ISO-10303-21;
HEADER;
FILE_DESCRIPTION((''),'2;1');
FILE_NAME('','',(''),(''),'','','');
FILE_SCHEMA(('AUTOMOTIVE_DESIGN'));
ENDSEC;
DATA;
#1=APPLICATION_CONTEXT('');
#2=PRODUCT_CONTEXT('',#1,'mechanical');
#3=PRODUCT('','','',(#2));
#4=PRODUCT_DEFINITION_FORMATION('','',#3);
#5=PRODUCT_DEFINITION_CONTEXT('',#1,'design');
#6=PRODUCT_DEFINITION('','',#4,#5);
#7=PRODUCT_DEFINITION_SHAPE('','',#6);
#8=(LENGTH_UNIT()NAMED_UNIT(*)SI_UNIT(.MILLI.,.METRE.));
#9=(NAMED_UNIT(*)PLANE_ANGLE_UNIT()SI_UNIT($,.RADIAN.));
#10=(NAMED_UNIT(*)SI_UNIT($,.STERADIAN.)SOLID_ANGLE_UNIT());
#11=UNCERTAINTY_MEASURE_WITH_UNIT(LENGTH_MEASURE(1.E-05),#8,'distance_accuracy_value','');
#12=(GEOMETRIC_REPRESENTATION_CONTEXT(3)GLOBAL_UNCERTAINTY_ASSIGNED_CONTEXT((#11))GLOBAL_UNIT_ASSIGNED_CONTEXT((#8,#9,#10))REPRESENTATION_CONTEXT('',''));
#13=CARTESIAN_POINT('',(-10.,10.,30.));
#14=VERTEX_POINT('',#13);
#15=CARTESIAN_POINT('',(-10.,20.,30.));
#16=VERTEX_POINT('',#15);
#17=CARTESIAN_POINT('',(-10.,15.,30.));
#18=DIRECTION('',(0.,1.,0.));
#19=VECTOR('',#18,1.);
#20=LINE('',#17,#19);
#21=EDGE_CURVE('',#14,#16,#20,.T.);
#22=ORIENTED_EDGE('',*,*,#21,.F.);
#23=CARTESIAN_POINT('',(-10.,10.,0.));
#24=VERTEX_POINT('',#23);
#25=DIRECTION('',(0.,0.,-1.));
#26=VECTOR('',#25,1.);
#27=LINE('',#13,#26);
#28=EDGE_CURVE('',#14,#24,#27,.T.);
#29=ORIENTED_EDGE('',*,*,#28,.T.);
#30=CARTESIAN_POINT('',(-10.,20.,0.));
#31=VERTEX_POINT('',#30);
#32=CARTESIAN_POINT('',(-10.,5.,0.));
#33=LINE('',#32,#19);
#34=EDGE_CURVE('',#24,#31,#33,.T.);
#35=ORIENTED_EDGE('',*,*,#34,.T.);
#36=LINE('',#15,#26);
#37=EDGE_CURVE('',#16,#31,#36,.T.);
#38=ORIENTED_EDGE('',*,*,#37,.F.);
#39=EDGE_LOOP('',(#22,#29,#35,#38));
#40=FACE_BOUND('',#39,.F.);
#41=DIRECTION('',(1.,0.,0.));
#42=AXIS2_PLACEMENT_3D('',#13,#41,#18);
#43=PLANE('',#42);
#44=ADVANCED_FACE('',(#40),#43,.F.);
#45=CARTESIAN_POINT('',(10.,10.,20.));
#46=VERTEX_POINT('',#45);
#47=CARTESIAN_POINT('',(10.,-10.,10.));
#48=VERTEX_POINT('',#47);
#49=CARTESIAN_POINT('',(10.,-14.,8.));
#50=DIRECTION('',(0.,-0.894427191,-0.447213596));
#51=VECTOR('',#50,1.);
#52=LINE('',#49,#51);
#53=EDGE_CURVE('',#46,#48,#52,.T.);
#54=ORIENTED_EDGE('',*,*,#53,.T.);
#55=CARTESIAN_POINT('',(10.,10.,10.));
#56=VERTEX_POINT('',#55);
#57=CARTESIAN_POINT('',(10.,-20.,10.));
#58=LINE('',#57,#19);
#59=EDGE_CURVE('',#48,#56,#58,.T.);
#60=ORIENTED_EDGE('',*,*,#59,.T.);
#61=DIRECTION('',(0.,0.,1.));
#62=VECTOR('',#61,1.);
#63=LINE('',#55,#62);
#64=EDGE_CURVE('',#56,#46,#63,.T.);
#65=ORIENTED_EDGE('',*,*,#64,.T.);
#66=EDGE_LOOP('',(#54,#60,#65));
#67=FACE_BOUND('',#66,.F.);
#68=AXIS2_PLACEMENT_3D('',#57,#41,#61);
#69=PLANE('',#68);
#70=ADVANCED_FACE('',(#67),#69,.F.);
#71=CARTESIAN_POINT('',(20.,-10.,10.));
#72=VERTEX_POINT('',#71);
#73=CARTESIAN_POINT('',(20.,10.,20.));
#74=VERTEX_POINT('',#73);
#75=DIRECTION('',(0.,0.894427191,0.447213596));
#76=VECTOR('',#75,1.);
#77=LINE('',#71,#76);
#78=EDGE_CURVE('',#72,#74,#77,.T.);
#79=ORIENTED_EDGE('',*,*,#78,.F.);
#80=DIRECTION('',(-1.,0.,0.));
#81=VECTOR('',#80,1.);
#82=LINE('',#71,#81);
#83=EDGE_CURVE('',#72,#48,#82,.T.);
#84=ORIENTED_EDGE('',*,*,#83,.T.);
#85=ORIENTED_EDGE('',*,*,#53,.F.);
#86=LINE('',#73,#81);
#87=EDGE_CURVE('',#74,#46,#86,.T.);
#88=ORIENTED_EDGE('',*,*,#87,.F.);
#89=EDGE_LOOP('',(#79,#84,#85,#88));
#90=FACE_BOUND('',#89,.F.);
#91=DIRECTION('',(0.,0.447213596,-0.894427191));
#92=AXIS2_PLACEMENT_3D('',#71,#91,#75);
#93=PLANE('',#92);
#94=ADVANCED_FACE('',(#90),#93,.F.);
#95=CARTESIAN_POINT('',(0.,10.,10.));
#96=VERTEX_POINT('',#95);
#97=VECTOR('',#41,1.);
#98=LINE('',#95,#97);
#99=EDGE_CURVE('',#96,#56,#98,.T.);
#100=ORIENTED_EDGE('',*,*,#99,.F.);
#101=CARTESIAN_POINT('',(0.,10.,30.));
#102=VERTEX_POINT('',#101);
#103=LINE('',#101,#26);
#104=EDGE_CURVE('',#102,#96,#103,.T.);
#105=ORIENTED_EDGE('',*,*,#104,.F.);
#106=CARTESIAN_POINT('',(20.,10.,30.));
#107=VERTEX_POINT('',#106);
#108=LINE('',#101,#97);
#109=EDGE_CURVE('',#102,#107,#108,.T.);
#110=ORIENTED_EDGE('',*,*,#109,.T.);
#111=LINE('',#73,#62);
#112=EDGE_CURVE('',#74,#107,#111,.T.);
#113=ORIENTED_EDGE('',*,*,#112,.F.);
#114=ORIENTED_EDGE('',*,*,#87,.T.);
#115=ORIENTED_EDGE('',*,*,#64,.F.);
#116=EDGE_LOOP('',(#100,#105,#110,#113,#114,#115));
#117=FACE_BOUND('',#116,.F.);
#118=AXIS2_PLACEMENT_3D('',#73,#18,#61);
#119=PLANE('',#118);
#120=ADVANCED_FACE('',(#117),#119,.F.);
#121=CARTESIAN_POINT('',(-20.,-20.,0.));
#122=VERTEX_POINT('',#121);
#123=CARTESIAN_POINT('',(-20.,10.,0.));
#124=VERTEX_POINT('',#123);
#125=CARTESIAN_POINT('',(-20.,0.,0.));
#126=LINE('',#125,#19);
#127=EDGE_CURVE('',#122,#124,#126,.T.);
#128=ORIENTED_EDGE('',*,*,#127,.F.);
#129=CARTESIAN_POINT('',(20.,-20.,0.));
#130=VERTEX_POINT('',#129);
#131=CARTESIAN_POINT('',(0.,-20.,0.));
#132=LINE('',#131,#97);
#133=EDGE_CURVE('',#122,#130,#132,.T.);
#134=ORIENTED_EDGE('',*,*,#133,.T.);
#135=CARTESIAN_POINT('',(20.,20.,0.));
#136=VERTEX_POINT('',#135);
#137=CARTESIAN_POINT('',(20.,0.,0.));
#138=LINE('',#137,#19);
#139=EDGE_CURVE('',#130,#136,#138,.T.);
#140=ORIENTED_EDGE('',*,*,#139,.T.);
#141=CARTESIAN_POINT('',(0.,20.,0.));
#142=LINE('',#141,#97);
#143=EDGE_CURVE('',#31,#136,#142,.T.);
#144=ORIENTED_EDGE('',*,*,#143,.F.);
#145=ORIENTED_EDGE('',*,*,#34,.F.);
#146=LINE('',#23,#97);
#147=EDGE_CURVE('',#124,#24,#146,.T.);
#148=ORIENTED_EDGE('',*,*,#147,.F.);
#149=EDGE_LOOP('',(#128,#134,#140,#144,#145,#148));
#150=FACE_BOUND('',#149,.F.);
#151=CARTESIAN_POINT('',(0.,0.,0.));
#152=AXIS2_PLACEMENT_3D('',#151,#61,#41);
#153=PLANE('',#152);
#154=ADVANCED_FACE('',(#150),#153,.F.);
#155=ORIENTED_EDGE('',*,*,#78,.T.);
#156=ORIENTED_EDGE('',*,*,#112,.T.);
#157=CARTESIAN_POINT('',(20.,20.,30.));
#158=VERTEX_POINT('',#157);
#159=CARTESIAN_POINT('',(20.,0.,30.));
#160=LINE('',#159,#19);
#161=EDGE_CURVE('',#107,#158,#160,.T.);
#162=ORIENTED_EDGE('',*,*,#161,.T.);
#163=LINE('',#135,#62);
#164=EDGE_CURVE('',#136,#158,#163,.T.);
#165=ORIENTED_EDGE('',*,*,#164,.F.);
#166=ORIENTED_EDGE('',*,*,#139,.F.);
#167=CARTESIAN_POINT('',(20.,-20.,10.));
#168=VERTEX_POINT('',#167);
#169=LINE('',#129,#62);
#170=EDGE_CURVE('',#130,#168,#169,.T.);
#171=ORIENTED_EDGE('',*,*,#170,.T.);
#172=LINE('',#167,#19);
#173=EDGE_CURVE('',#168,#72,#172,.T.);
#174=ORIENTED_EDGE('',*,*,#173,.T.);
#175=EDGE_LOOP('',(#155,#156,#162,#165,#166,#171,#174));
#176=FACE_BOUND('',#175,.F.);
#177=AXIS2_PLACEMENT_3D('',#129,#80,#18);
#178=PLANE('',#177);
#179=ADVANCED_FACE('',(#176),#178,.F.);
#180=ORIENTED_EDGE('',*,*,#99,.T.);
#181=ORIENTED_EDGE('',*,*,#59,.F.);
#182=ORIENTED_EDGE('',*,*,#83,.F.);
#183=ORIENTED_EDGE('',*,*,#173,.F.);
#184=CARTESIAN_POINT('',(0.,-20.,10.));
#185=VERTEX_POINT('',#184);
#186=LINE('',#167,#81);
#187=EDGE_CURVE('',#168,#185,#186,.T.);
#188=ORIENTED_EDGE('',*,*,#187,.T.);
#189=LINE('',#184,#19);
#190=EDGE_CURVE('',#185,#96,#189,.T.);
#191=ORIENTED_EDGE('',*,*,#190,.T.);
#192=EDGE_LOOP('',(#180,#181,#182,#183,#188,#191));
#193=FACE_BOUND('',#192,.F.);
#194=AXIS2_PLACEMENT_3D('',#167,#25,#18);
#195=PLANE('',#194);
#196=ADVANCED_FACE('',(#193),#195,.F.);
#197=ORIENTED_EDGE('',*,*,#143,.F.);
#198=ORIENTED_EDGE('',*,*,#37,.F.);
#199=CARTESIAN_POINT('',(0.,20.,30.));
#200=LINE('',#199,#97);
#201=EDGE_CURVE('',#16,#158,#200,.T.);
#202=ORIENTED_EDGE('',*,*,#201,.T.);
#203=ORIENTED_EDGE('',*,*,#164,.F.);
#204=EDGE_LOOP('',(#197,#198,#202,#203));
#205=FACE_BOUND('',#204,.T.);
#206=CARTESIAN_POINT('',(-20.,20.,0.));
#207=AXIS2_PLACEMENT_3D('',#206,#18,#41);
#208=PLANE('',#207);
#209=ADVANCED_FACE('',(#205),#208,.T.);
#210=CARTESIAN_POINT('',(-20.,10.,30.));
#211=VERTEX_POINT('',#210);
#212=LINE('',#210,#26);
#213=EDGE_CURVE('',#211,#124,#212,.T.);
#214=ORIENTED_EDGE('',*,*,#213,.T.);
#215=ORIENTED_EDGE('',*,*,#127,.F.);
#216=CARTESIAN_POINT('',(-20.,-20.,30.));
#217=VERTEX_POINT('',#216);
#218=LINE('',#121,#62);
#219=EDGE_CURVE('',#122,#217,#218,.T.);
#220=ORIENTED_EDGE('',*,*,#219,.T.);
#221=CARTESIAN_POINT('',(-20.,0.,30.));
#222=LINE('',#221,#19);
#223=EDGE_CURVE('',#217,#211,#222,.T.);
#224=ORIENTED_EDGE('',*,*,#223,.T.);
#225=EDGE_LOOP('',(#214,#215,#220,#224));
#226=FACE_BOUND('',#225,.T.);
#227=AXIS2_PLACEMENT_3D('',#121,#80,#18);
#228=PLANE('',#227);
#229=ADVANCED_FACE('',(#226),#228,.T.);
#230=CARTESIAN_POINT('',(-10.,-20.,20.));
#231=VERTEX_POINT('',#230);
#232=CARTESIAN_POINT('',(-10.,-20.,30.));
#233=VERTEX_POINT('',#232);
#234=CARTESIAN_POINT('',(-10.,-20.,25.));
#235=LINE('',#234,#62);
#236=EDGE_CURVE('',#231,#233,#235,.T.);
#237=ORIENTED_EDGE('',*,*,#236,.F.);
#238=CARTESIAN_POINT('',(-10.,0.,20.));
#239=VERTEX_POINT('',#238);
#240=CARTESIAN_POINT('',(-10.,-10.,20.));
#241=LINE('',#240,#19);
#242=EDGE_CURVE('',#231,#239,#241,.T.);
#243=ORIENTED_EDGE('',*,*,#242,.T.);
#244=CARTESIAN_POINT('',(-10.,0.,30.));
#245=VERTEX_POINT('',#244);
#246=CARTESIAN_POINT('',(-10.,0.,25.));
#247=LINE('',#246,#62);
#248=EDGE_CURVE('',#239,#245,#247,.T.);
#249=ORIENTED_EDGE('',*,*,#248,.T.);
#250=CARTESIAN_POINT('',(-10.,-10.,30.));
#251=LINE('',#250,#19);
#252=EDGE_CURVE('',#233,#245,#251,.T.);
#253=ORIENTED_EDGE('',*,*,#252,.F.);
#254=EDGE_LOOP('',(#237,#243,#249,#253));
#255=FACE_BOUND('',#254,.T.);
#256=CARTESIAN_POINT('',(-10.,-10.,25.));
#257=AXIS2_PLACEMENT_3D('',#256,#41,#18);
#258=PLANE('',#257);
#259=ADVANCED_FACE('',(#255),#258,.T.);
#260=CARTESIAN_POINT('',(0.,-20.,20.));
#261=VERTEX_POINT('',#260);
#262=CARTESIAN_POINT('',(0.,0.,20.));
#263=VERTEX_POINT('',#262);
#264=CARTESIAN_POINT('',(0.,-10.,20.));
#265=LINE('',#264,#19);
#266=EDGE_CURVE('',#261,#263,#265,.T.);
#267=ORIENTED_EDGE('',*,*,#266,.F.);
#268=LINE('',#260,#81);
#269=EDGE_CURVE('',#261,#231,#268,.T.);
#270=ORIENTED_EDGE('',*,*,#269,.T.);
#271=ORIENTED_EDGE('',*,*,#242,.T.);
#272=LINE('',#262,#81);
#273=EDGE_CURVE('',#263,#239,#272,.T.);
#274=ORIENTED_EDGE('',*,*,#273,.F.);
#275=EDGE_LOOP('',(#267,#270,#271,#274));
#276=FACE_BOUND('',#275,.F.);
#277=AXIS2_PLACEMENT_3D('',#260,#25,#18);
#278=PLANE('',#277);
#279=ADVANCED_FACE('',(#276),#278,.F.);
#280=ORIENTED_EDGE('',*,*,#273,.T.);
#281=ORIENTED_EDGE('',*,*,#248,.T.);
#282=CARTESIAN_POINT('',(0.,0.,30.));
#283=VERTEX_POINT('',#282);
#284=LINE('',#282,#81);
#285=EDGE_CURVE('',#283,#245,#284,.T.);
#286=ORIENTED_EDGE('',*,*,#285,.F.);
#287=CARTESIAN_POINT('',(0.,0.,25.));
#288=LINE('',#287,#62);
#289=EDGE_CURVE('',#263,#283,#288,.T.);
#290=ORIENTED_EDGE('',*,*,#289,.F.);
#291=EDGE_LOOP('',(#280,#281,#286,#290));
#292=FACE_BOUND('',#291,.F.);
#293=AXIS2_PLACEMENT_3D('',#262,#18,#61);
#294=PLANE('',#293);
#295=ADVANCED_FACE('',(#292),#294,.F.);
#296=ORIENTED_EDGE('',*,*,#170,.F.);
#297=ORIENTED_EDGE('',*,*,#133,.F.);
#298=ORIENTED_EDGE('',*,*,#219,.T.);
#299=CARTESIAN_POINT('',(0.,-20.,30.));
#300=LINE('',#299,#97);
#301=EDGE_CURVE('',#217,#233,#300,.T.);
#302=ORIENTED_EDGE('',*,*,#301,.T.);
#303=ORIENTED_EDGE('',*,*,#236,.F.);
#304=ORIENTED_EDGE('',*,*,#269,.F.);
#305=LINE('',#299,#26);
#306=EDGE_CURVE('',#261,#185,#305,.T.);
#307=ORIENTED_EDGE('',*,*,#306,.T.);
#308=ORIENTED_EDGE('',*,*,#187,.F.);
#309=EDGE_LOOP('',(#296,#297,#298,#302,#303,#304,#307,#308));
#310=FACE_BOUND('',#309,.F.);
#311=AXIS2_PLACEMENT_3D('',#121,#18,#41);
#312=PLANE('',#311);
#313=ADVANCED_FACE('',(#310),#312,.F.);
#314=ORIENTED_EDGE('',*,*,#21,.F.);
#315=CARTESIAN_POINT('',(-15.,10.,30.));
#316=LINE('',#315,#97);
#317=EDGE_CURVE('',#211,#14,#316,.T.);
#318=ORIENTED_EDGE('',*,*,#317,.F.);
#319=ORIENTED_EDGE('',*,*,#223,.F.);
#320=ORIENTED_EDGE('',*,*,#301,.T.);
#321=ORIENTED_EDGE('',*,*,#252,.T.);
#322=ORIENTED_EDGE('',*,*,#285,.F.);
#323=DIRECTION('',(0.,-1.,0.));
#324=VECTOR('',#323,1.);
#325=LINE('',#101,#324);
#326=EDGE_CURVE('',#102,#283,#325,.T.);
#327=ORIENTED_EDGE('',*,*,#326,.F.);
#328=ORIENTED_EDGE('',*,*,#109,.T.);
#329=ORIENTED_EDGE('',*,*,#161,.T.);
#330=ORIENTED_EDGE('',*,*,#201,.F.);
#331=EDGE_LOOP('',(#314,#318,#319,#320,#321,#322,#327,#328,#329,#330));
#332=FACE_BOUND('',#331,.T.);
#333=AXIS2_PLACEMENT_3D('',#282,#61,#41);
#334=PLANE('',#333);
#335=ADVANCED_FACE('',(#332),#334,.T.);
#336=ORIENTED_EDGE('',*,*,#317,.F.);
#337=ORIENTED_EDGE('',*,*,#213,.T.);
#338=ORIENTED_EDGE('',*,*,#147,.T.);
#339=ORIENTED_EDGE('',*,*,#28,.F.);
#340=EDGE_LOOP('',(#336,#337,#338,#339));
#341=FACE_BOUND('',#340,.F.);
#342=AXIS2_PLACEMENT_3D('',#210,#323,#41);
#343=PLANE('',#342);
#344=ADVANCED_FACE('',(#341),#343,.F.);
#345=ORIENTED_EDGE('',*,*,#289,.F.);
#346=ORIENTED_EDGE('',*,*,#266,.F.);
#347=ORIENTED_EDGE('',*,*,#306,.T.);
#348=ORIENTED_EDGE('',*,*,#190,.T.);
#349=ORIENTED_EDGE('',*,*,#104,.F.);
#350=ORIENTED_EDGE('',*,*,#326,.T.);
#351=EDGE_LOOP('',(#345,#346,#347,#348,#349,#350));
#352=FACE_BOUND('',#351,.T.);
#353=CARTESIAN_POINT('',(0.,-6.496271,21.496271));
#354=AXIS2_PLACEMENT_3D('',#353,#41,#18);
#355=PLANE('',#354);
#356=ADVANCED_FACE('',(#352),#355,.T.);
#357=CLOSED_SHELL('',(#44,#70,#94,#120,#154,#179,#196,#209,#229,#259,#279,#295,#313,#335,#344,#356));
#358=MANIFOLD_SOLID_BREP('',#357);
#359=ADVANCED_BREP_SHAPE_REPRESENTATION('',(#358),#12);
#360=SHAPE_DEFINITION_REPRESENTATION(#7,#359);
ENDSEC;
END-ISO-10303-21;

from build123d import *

# Parameters (mm, degrees)
F0_W     = 40
F0_H     = 40
F1_DEPTH = 30
F2_W     = 10
F2_H     = 10
F3_DEPTH = 40
F5_DEPTH = 20
F6_W     = 20
F6_H     = 10
F7_DEPTH = 10
F9_DEPTH = 30


with BuildPart() as f1:
    # F0 (on Top) → F1 (new body)
    with BuildSketch(Plane.XY):
        Rectangle(F0_W, F0_H)
    extrude(amount=F1_DEPTH)

    # F2 (on face) → F3 (cut)
    with BuildSketch(Plane.XY.offset(30)):
        with Locations((-15, 15)):
            Rectangle(F2_W, F2_H)
    extrude(amount=-F3_DEPTH, mode=Mode.SUBTRACT)

    # F4 (on face) → F5 (cut)
    with BuildSketch(Plane.YZ.offset(20)):
        Polygon((10, 30), (-20, 30), (-20, 10), (-10, 10), (10, 20), align=None)
    extrude(amount=-F5_DEPTH, mode=Mode.SUBTRACT)

    # F6 (on face) → F7 (cut)
    with BuildSketch(Plane.YZ):
        with Locations((-10, 25)):
            Rectangle(F6_W, F6_H)
    extrude(amount=-F7_DEPTH, mode=Mode.SUBTRACT)

    # F8 (on face) → F9 (cut)
    with BuildSketch(Plane.XZ.offset(20)):
        Polygon((10, 10), (10, 30), (0, 30), (0, 20), (0, 10), align=None)
    extrude(amount=-F9_DEPTH, mode=Mode.SUBTRACT)


solid = f1.part
